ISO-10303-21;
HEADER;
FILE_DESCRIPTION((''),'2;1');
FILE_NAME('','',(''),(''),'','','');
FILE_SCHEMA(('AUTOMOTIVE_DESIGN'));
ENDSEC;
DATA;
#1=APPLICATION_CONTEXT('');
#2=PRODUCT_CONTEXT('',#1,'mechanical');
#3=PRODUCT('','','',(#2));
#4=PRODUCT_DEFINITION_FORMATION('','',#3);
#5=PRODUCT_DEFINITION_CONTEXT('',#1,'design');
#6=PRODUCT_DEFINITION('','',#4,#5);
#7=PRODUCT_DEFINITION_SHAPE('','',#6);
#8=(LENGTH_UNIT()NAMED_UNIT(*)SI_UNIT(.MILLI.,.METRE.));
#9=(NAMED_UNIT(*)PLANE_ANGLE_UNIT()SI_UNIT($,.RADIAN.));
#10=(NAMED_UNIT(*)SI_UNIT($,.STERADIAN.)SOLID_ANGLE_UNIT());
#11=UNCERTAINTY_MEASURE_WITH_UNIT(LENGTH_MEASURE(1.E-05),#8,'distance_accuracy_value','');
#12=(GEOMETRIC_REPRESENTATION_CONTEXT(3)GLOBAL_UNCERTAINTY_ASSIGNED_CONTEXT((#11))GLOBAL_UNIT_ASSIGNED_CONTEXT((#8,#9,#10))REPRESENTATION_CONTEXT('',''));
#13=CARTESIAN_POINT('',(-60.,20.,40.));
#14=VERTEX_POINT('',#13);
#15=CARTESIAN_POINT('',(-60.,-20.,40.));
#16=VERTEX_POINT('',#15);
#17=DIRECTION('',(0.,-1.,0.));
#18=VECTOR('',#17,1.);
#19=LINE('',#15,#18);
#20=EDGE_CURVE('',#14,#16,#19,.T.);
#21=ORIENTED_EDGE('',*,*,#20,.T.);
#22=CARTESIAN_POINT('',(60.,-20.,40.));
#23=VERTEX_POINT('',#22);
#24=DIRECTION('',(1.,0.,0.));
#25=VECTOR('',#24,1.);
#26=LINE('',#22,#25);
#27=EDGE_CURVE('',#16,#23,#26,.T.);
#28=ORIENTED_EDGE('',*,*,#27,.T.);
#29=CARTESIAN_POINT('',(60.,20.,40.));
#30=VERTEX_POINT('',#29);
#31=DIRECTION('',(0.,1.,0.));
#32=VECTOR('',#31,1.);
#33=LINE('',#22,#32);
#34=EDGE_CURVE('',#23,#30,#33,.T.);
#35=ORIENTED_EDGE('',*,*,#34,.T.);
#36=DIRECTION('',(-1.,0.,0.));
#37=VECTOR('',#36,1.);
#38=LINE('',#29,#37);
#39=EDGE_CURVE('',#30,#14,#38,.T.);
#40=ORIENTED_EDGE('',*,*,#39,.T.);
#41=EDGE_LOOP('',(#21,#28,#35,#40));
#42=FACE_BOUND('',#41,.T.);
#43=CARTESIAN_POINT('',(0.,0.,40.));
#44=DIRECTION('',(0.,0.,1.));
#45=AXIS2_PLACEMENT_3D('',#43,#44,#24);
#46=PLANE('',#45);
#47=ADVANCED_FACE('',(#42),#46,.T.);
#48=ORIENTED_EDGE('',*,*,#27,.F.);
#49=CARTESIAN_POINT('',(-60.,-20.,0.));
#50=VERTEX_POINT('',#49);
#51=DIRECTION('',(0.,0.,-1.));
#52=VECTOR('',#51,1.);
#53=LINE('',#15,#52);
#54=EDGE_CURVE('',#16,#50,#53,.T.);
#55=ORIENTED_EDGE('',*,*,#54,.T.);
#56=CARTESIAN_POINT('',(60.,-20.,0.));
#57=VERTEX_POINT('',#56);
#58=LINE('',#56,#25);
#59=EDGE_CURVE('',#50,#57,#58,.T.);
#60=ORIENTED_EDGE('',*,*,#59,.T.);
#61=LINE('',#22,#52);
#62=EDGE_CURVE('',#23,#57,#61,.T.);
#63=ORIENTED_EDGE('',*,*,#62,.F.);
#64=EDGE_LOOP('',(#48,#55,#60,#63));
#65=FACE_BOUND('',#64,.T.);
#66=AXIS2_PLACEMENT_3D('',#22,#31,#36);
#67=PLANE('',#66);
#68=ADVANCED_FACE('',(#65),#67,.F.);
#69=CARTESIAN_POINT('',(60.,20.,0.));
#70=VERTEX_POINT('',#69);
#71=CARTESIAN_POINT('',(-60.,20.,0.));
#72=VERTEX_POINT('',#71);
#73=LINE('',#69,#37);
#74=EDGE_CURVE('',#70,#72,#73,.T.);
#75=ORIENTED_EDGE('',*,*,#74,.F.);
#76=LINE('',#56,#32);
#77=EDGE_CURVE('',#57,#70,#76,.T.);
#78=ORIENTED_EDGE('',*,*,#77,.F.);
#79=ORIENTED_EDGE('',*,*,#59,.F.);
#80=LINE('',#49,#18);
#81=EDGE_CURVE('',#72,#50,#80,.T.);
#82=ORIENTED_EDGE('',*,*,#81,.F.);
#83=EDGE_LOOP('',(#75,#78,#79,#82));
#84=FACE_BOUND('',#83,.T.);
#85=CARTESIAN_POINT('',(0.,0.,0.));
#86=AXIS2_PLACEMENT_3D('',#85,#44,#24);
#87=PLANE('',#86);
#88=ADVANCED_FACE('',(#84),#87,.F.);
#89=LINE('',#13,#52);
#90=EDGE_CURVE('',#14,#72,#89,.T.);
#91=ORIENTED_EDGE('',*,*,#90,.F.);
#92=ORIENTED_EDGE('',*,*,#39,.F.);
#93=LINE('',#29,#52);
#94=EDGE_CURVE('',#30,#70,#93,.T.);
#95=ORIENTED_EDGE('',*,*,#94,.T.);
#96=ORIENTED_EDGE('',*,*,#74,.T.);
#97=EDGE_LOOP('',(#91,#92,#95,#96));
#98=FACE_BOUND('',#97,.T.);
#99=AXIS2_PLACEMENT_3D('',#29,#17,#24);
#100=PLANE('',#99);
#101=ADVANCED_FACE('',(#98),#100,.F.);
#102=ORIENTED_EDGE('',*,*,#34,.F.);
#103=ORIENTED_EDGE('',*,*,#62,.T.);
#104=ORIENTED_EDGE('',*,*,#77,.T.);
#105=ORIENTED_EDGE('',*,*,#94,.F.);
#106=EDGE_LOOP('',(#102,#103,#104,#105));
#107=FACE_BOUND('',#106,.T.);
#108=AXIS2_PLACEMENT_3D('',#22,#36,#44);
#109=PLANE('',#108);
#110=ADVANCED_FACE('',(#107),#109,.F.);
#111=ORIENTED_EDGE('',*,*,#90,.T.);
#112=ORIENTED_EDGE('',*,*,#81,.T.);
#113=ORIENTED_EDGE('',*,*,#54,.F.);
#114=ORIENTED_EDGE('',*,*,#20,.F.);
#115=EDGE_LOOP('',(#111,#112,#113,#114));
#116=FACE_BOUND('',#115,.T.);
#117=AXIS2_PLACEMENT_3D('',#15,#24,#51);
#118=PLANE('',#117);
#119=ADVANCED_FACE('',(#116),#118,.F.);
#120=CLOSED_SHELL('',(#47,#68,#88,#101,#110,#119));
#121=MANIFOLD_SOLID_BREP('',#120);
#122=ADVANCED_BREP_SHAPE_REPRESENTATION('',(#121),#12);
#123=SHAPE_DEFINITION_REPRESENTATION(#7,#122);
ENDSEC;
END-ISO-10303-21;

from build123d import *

# Parameters (mm, degrees)
SKETCH_1_W      = 120
SKETCH_1_H      = 40
EXTRUDE_1_DEPTH = 40


with BuildPart() as part:
    # 草图1 → 凸台-拉伸1 (new body)
    with BuildSketch(Plane.XY):
        Rectangle(SKETCH_1_W, SKETCH_1_H)
    extrude(amount=EXTRUDE_1_DEPTH)


solid = part.part
